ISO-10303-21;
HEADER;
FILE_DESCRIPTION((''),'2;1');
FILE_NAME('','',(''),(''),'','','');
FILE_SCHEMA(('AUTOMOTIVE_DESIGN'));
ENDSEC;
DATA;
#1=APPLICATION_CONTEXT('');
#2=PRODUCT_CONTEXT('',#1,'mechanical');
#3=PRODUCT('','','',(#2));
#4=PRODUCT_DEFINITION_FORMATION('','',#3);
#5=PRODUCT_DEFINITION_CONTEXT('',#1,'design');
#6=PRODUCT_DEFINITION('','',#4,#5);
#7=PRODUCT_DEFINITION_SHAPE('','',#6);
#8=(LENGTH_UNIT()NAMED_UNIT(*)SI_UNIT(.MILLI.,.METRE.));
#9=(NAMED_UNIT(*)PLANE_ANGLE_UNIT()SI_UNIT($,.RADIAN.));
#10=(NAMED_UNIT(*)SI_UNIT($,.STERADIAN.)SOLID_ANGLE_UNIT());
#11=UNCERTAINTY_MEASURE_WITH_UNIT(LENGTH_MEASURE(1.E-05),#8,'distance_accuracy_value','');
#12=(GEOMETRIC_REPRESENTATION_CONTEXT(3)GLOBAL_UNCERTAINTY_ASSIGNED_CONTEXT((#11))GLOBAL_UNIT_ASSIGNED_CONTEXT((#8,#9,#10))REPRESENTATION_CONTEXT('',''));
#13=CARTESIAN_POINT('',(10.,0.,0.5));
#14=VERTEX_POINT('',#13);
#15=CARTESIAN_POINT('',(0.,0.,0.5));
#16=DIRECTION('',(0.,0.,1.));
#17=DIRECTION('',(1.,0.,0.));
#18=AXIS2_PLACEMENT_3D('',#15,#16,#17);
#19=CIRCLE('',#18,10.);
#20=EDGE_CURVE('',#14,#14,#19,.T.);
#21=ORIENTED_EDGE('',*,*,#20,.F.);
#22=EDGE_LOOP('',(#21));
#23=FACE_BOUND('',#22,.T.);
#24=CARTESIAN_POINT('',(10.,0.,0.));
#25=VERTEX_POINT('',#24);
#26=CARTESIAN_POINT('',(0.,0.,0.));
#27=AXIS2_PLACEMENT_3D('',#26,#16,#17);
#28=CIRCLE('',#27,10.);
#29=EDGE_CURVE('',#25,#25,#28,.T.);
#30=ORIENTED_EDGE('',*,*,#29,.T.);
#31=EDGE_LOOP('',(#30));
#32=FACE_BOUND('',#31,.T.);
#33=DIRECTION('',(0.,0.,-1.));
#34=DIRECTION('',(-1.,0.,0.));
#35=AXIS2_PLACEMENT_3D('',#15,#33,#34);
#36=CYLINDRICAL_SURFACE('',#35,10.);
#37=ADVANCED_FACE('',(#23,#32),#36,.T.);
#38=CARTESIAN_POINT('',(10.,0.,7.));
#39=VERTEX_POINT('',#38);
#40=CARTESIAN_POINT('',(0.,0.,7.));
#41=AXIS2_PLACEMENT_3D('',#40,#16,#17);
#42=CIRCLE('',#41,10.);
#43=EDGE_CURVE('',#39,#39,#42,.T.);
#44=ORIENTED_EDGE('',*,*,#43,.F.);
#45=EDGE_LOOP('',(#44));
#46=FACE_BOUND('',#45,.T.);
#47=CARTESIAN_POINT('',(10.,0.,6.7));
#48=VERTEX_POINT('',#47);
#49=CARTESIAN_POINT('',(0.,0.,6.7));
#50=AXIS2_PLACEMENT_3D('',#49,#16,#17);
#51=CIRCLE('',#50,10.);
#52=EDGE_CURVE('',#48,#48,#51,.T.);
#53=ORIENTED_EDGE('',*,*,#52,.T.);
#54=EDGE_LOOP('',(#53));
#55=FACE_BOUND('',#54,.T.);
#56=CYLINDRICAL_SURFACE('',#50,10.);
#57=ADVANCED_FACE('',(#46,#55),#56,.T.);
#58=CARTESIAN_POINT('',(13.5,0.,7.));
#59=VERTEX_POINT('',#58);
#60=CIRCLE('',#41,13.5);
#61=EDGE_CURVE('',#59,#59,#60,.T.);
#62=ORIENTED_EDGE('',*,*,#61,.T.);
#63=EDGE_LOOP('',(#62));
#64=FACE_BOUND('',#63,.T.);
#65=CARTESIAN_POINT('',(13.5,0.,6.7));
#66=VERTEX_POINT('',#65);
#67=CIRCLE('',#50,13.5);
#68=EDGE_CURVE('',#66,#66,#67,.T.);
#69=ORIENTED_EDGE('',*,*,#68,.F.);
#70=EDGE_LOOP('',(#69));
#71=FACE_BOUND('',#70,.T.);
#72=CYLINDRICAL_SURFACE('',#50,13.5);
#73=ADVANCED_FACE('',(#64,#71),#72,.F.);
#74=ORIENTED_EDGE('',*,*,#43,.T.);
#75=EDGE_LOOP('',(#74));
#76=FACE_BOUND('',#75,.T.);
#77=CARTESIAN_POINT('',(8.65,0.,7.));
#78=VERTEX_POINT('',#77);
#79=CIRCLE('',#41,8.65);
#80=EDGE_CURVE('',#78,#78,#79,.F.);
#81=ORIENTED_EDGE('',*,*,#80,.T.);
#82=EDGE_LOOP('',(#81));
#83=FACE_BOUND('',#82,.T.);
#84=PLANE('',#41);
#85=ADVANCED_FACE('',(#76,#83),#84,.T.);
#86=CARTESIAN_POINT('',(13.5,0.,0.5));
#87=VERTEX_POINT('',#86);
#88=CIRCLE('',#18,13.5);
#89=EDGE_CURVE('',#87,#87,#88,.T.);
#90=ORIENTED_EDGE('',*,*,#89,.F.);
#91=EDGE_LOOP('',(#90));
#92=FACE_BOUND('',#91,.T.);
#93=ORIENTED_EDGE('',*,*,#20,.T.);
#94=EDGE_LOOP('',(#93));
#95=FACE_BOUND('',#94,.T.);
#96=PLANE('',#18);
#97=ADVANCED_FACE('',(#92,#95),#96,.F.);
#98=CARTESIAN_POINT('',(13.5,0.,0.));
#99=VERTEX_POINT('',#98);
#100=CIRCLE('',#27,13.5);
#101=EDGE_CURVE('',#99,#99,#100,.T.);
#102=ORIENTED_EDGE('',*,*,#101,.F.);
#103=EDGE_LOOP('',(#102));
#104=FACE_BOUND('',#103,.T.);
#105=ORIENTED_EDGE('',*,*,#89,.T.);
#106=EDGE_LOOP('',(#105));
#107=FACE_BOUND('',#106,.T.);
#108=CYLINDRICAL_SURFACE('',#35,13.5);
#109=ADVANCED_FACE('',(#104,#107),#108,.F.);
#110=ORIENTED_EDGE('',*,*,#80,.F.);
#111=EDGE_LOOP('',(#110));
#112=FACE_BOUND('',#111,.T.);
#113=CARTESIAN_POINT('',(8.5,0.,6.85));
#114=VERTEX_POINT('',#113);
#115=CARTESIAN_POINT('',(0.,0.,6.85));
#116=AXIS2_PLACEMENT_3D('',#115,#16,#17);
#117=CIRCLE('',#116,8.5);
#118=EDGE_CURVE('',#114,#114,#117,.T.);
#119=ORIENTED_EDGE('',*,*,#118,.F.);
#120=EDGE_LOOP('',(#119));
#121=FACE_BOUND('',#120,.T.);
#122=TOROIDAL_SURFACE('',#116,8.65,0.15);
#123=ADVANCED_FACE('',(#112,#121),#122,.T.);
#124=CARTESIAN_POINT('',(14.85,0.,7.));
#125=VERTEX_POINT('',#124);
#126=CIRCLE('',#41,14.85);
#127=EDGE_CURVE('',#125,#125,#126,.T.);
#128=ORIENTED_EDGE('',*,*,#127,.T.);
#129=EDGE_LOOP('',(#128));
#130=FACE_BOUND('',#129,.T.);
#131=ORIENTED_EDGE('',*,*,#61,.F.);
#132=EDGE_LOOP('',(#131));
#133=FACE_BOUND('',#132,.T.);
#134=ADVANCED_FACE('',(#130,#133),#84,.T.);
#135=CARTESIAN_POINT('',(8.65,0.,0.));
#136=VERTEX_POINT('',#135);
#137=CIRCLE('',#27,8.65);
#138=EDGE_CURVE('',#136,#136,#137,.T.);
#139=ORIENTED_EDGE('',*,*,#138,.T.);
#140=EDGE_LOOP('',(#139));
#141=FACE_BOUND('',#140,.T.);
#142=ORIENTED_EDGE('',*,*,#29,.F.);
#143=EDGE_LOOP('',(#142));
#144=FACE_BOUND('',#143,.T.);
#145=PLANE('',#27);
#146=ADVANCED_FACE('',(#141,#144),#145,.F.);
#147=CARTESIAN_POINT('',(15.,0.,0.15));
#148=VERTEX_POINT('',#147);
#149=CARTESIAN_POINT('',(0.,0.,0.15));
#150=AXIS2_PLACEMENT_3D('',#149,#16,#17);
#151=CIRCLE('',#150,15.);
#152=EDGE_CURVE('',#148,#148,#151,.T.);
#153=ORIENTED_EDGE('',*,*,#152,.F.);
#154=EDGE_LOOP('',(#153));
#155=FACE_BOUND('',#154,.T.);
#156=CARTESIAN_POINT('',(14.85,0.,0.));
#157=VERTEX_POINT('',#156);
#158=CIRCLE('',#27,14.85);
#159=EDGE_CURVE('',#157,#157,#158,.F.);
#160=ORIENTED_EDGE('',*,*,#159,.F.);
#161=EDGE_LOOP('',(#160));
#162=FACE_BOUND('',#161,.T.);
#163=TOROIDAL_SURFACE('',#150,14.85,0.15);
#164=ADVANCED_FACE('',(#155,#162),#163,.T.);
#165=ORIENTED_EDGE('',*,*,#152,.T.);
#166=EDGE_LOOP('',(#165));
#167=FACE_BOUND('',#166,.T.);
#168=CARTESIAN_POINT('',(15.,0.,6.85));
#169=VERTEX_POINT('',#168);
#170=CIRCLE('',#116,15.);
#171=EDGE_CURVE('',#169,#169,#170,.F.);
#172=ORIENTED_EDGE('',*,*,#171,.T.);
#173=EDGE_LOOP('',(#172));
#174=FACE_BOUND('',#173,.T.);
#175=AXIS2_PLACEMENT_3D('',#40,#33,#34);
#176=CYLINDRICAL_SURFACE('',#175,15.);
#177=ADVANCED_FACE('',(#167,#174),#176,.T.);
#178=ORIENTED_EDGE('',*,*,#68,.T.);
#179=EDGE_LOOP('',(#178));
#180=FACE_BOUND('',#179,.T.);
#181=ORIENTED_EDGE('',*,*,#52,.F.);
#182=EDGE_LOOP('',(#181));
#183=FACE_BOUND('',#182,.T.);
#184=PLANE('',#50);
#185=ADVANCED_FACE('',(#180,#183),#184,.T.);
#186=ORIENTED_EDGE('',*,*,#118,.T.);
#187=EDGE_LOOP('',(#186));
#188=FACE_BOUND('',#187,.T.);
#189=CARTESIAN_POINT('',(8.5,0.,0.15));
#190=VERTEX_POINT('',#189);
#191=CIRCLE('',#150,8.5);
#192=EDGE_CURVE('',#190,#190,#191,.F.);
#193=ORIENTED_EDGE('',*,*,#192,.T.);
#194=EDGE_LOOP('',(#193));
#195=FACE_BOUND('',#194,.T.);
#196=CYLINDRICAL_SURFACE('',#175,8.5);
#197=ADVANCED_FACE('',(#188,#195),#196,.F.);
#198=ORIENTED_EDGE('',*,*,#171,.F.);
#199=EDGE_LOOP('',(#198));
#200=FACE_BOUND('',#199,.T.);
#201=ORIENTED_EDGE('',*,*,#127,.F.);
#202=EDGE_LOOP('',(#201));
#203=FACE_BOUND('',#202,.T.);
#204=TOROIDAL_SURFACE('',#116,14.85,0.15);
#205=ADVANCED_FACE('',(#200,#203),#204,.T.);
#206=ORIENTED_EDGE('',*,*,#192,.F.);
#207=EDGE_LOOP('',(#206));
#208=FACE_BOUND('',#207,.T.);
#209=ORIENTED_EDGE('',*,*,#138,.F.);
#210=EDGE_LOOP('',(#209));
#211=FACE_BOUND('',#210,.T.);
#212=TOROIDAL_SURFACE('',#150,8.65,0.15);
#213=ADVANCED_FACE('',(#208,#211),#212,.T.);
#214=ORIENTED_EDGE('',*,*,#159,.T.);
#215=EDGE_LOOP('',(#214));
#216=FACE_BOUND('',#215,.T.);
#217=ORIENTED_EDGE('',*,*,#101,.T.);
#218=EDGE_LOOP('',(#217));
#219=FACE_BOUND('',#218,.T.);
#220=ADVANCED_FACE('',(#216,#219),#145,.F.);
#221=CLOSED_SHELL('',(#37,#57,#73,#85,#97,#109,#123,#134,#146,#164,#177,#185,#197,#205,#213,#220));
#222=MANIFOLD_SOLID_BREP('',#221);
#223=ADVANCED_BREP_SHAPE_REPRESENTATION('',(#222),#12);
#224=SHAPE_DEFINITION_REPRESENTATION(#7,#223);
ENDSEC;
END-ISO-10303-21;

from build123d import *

# Parameters (mm, degrees)
SKETCH1_R           = 15
SKETCH1_R_2         = 8.5
BOSS_EXTRUDE1_DEPTH = 7
SKETCH2_R           = 13.5
SKETCH2_R_2         = 10
CUT_EXTRUDE1_DEPTH  = 0.3
CUT_EXTRUDE2_START  = -6.5
SKETCH2_2_R         = 13.5
SKETCH2_2_R_2       = 10
CUT_EXTRUDE2_DEPTH  = 0.5
FILLET1_R           = 0.15


with BuildPart() as part:
    # Sketch1 → Boss-Extrude1 (new body)
    with BuildSketch(Plane.XY):
        Circle(SKETCH1_R)
        Circle(SKETCH1_R_2, mode=Mode.SUBTRACT)
    extrude(amount=BOSS_EXTRUDE1_DEPTH)

    # Sketch2 → Cut-Extrude1 (cut)
    with BuildSketch(Plane.XY.offset(7)):
        Circle(SKETCH2_R)
        Circle(SKETCH2_R_2, mode=Mode.SUBTRACT)
    extrude(amount=-CUT_EXTRUDE1_DEPTH, mode=Mode.SUBTRACT)

    # Sketch2<2> → Cut-Extrude2 (cut)
    with BuildSketch(Plane.XY.offset(7).offset(CUT_EXTRUDE2_START)):
        Circle(SKETCH2_2_R)
        Circle(SKETCH2_2_R_2, mode=Mode.SUBTRACT)
    extrude(amount=-CUT_EXTRUDE2_DEPTH, mode=Mode.SUBTRACT)

    # Fillet1
    fillet1_edges = [part.edges().sort_by_distance(p)[0] for p in [
        (-15, 0, 0),
        (-15, 0, 7),
        (-8.5, 0, 0),
        (-8.5, 0, 7),
    ]]
    fillet(fillet1_edges, radius=FILLET1_R)


solid = part.part
